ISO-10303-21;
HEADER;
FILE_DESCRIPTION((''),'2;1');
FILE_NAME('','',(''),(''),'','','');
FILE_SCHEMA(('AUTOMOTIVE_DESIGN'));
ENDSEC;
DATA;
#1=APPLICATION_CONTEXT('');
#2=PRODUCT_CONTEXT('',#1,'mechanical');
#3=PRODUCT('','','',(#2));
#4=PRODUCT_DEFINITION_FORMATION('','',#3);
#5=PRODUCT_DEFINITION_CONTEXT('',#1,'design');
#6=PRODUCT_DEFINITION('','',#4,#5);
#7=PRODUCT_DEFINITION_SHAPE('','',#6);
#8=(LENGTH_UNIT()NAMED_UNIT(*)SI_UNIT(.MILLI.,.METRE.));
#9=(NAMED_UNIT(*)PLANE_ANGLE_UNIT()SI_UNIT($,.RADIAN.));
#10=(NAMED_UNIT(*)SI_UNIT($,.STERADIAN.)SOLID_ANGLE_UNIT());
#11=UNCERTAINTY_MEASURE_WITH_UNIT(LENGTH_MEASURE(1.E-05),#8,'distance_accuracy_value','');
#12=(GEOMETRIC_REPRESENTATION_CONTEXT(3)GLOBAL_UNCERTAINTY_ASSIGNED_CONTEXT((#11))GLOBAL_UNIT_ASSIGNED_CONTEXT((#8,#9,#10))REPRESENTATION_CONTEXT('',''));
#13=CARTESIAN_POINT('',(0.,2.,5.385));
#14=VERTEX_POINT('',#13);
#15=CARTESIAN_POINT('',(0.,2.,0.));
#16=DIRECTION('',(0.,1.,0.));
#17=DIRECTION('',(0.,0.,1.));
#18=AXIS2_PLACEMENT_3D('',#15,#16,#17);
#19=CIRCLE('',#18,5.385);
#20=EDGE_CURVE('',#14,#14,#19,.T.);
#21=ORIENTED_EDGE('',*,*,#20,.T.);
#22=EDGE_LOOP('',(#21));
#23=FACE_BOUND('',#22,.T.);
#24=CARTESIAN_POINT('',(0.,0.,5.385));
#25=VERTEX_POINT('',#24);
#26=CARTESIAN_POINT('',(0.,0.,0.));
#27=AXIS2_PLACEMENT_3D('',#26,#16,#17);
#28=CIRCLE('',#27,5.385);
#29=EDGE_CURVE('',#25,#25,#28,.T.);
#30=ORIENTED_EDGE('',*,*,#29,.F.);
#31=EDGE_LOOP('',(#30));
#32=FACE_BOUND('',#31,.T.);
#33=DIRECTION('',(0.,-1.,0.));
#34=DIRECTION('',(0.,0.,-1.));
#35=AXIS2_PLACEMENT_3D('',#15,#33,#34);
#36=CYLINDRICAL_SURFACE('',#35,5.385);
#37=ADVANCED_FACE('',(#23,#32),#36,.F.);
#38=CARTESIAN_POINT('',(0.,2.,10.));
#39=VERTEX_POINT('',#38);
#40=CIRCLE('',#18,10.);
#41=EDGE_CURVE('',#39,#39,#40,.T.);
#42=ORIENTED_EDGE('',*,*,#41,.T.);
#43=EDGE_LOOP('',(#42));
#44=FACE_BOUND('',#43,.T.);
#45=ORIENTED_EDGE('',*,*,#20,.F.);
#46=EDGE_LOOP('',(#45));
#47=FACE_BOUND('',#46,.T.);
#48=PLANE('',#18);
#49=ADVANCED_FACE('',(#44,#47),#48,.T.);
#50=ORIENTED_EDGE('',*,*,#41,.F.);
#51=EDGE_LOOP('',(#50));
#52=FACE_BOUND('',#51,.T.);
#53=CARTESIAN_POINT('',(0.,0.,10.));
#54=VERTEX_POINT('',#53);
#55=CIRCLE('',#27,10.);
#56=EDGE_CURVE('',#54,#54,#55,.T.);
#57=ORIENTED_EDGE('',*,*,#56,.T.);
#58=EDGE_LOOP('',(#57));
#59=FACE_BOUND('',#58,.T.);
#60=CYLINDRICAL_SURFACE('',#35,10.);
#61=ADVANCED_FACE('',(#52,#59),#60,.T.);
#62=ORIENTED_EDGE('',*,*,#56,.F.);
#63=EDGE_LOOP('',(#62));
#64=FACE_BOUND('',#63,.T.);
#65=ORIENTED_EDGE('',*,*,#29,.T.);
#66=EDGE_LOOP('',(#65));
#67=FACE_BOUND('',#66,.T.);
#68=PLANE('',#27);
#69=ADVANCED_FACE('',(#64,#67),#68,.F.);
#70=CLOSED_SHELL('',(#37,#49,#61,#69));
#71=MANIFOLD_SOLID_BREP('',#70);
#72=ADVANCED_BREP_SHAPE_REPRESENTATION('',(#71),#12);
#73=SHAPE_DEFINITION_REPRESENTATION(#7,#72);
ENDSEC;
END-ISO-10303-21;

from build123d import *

# Parameters (mm, degrees)
SKETCH_1_R      = 10
SKETCH_1_R_2    = 5.385
EXTRUDE_1_DEPTH = 2


with BuildPart() as part:
    # Эскиз1 → Бобышка-Вытянуть1 (new body)
    with BuildSketch(Plane(origin=(0, 0, 0), x_dir=(1, 0, 0), z_dir=(0, 1, 0))):
        with Locations(Location((0, 0, 0), (0, 0, 270))):
            Circle(SKETCH_1_R)
        with Locations(Location((0, 0, 0), (0, 0, 270))):
            Circle(SKETCH_1_R_2, mode=Mode.SUBTRACT)
    extrude(amount=EXTRUDE_1_DEPTH)


solid = part.part
